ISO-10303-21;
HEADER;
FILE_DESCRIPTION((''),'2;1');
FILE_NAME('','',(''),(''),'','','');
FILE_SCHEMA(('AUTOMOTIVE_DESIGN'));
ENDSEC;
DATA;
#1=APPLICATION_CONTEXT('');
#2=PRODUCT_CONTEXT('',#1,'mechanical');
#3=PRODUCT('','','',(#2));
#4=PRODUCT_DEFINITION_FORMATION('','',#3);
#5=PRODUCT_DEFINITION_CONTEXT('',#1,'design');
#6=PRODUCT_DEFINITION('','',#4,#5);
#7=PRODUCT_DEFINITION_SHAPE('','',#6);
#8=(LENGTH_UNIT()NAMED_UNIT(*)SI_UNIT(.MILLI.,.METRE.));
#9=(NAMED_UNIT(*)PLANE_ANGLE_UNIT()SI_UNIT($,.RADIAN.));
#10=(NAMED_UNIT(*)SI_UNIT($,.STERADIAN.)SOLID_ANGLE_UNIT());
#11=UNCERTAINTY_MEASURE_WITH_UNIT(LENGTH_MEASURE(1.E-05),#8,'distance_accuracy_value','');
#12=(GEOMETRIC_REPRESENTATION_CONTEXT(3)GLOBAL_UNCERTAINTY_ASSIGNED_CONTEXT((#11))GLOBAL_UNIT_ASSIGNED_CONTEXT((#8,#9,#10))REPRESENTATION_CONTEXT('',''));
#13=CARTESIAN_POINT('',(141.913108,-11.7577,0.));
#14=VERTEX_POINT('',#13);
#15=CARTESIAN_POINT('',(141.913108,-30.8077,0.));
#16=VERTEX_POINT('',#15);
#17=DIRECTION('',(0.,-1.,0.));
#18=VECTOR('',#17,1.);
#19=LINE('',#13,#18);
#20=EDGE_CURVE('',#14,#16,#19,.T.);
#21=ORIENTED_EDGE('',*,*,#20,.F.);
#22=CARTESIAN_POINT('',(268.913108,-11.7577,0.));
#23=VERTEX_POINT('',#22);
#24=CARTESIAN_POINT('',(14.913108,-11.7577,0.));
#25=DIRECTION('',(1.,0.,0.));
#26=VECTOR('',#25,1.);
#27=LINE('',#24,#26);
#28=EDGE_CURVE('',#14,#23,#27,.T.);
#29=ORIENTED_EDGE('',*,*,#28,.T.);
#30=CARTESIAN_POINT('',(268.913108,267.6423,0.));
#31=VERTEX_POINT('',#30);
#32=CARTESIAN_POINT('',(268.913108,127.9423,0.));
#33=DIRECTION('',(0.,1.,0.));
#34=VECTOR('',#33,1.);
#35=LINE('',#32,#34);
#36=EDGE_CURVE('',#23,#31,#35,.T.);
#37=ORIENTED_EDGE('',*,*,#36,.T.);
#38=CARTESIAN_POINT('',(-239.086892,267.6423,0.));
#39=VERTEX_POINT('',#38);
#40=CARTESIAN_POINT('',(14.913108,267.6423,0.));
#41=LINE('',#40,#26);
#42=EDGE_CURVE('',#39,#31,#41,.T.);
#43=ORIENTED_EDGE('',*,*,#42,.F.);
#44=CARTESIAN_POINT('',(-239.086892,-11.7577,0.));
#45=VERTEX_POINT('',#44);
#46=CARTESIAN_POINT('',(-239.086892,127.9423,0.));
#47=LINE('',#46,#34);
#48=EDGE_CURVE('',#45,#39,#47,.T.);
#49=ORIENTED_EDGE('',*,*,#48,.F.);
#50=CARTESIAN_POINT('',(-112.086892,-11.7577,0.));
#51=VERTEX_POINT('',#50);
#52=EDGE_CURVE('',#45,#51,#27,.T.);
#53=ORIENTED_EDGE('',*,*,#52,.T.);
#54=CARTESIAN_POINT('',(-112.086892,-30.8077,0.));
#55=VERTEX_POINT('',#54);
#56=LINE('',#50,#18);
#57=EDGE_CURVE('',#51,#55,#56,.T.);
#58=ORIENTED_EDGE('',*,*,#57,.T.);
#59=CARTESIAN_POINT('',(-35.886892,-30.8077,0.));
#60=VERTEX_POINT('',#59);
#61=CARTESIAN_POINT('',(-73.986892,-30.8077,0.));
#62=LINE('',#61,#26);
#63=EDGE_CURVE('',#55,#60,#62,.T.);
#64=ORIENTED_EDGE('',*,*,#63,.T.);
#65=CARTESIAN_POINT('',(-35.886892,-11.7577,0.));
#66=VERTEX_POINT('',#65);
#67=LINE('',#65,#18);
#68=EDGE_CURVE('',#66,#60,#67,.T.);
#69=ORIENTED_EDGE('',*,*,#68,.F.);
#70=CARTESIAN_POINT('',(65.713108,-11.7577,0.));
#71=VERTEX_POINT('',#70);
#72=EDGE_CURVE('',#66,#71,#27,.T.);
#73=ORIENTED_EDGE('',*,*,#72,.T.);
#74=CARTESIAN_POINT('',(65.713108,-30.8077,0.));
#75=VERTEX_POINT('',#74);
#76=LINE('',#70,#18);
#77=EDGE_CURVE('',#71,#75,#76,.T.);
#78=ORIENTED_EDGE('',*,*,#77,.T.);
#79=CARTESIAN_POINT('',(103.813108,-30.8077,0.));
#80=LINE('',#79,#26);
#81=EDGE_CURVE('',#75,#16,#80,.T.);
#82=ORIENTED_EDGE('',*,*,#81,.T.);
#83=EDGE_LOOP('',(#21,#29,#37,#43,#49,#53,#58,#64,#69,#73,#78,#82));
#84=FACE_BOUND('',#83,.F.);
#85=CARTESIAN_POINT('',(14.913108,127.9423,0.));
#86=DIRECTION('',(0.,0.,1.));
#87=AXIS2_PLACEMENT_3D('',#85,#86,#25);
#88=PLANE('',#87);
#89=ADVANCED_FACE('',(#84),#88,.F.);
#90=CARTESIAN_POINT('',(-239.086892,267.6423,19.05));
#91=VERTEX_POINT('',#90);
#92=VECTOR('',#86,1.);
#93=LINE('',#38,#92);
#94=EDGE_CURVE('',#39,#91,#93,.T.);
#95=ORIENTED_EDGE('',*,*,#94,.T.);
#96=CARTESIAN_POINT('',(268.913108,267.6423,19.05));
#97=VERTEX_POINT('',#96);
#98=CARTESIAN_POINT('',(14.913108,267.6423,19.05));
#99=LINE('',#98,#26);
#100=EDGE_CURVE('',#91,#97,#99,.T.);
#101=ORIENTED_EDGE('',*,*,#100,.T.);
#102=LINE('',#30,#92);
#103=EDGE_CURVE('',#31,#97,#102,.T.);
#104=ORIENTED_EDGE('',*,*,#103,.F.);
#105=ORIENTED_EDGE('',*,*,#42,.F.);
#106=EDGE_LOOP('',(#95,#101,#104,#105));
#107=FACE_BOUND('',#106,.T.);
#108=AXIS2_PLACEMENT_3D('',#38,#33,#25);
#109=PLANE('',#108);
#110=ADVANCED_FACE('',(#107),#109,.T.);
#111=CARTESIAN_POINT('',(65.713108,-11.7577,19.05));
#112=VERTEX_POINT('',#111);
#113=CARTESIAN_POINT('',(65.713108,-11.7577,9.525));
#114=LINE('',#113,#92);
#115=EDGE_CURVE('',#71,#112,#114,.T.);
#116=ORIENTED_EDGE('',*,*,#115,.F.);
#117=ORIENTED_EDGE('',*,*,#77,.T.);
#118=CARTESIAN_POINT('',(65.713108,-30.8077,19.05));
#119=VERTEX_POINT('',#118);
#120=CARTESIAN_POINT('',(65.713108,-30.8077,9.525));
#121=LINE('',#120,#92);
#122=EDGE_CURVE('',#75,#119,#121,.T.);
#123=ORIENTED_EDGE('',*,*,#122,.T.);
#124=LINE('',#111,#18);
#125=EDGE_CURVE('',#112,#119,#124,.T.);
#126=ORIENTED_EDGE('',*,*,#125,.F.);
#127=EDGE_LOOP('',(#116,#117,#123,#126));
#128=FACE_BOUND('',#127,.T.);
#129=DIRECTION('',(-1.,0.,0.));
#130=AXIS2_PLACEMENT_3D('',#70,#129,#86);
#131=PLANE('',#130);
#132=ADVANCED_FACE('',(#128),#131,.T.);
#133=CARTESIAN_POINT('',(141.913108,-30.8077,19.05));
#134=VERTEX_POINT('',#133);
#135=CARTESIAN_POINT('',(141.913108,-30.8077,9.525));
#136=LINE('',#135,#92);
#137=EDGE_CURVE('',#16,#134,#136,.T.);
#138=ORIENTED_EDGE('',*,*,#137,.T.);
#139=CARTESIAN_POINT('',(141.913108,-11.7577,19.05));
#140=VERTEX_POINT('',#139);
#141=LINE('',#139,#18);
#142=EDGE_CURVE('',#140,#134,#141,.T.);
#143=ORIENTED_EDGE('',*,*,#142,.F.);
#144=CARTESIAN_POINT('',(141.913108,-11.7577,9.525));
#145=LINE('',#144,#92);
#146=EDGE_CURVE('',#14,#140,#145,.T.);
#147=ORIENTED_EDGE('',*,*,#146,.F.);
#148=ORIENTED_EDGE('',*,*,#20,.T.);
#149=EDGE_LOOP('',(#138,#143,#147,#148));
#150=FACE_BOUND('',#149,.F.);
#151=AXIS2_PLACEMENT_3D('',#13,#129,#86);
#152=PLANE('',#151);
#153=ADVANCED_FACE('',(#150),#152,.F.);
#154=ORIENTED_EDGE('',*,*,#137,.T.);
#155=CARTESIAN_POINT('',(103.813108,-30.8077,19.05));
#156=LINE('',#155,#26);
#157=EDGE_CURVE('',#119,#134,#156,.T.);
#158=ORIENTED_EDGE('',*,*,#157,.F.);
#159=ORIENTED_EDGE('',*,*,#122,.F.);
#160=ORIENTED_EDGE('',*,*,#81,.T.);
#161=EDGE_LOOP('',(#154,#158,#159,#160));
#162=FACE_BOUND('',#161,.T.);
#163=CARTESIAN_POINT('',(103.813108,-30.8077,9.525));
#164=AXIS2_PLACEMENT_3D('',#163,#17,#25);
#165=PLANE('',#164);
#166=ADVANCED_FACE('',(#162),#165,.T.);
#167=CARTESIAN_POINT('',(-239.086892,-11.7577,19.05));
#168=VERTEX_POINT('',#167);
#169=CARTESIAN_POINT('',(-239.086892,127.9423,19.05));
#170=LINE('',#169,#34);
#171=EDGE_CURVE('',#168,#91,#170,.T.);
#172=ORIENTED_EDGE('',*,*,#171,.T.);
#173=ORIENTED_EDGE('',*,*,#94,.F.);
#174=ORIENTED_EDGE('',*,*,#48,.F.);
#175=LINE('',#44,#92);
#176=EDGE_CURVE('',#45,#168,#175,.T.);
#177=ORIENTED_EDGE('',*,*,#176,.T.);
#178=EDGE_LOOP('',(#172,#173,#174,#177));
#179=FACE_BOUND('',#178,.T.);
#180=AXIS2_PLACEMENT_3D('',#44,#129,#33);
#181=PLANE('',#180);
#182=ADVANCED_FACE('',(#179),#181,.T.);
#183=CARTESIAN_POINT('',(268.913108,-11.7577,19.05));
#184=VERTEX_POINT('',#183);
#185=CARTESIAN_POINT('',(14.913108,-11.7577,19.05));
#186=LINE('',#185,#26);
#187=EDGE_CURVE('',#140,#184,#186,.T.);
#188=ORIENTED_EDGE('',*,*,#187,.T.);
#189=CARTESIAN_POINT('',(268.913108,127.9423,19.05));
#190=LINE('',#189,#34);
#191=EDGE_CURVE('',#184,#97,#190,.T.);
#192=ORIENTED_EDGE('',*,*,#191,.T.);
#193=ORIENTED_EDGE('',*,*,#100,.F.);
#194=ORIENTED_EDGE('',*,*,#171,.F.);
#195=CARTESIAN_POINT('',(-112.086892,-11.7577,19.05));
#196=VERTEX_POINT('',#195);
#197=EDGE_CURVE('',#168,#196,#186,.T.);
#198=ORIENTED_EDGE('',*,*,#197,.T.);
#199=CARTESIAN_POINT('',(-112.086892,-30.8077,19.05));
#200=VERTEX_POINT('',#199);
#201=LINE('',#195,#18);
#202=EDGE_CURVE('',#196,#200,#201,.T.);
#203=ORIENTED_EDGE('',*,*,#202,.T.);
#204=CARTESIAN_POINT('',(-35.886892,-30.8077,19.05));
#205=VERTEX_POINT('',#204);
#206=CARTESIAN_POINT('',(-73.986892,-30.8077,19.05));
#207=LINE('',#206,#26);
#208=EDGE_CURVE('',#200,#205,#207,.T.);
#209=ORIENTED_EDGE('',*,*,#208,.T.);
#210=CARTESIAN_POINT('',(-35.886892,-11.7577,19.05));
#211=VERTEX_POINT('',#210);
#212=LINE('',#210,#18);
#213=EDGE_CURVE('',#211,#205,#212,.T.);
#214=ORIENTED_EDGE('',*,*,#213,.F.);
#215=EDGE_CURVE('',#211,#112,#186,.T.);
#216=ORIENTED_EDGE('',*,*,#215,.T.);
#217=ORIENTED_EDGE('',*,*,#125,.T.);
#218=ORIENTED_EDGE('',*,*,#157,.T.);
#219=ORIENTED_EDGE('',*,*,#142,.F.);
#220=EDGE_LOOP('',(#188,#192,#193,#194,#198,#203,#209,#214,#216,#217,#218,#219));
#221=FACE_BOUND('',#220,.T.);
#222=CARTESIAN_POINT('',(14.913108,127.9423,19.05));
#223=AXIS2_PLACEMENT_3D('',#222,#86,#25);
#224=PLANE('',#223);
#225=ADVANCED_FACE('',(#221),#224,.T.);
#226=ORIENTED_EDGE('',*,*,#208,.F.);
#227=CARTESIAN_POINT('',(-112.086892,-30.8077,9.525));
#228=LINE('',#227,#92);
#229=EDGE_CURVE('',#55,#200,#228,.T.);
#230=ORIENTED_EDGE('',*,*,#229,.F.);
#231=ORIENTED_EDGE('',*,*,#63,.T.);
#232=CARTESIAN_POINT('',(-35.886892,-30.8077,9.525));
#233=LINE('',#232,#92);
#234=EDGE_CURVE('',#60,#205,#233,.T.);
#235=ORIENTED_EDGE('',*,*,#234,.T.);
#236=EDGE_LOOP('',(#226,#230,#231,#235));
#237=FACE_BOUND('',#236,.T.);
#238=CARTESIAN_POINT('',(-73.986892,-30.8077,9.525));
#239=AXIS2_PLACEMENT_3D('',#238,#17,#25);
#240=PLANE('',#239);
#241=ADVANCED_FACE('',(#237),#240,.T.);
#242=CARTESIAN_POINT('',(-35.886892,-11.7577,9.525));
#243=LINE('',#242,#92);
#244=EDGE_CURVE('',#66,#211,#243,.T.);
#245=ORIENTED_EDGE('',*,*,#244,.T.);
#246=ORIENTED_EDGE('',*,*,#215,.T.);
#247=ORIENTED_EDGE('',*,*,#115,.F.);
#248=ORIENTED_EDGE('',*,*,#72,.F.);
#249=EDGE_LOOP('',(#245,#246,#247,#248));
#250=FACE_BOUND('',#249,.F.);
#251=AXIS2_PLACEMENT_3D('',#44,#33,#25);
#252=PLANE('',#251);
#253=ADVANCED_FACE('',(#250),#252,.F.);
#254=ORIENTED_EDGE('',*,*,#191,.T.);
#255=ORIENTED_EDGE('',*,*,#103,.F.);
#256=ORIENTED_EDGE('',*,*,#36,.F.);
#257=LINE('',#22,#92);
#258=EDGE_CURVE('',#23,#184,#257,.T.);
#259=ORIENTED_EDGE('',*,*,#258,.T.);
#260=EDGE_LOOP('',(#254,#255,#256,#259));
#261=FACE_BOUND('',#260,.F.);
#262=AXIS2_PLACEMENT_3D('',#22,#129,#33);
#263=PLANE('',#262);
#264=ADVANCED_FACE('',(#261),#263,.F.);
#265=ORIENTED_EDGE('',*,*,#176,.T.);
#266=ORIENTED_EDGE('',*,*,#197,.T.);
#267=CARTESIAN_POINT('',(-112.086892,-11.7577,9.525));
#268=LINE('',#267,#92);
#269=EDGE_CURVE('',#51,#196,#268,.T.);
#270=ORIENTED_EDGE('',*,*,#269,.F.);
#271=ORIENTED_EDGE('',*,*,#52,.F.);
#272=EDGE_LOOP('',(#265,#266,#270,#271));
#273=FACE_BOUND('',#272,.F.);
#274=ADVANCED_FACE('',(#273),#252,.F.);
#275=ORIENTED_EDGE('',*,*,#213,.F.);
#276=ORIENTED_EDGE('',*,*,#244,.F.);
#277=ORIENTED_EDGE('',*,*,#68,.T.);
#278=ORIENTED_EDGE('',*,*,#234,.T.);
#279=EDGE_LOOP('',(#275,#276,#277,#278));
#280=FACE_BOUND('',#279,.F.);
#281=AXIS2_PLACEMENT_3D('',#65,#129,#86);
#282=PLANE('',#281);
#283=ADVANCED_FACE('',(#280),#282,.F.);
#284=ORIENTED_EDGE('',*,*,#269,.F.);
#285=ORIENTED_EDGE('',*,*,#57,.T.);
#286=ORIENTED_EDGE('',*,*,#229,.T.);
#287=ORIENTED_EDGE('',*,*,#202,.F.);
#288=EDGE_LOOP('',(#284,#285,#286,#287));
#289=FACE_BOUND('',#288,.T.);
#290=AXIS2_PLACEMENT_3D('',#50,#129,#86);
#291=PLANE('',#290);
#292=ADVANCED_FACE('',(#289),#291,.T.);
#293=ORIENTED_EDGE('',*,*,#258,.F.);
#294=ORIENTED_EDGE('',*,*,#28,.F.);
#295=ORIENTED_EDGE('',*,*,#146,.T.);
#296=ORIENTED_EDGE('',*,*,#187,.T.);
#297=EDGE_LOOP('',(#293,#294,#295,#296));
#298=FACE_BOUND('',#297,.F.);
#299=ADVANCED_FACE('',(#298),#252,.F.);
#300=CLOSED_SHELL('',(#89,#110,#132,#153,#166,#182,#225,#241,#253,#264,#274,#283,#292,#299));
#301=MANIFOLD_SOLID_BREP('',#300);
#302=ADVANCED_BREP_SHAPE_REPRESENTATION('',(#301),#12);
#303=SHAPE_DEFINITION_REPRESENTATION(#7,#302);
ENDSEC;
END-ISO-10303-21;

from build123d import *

# Parameters (mm, degrees)
F0_W     = 508
F0_H     = 279.4
F1_DEPTH = 19.05
F2_W     = 76.2
F2_H     = 19.05
F3_DEPTH = 19.05


with BuildPart() as f1:
    # F0 (on Top) → F1 (new body)
    with BuildSketch(Plane.XY):
        with Locations((14.913108, 127.9423)):
            Rectangle(F0_W, F0_H)
    extrude(amount=F1_DEPTH)

    # F2 (on face) → F3 (join)
    with BuildSketch(Plane.XZ.offset(11.7577)):
        with Locations((103.813108, 9.525)):
            Rectangle(F2_W, F2_H)
        with Locations((-73.986892, 9.525)):
            Rectangle(F2_W, F2_H)
    extrude(amount=F3_DEPTH)


solid = f1.part
